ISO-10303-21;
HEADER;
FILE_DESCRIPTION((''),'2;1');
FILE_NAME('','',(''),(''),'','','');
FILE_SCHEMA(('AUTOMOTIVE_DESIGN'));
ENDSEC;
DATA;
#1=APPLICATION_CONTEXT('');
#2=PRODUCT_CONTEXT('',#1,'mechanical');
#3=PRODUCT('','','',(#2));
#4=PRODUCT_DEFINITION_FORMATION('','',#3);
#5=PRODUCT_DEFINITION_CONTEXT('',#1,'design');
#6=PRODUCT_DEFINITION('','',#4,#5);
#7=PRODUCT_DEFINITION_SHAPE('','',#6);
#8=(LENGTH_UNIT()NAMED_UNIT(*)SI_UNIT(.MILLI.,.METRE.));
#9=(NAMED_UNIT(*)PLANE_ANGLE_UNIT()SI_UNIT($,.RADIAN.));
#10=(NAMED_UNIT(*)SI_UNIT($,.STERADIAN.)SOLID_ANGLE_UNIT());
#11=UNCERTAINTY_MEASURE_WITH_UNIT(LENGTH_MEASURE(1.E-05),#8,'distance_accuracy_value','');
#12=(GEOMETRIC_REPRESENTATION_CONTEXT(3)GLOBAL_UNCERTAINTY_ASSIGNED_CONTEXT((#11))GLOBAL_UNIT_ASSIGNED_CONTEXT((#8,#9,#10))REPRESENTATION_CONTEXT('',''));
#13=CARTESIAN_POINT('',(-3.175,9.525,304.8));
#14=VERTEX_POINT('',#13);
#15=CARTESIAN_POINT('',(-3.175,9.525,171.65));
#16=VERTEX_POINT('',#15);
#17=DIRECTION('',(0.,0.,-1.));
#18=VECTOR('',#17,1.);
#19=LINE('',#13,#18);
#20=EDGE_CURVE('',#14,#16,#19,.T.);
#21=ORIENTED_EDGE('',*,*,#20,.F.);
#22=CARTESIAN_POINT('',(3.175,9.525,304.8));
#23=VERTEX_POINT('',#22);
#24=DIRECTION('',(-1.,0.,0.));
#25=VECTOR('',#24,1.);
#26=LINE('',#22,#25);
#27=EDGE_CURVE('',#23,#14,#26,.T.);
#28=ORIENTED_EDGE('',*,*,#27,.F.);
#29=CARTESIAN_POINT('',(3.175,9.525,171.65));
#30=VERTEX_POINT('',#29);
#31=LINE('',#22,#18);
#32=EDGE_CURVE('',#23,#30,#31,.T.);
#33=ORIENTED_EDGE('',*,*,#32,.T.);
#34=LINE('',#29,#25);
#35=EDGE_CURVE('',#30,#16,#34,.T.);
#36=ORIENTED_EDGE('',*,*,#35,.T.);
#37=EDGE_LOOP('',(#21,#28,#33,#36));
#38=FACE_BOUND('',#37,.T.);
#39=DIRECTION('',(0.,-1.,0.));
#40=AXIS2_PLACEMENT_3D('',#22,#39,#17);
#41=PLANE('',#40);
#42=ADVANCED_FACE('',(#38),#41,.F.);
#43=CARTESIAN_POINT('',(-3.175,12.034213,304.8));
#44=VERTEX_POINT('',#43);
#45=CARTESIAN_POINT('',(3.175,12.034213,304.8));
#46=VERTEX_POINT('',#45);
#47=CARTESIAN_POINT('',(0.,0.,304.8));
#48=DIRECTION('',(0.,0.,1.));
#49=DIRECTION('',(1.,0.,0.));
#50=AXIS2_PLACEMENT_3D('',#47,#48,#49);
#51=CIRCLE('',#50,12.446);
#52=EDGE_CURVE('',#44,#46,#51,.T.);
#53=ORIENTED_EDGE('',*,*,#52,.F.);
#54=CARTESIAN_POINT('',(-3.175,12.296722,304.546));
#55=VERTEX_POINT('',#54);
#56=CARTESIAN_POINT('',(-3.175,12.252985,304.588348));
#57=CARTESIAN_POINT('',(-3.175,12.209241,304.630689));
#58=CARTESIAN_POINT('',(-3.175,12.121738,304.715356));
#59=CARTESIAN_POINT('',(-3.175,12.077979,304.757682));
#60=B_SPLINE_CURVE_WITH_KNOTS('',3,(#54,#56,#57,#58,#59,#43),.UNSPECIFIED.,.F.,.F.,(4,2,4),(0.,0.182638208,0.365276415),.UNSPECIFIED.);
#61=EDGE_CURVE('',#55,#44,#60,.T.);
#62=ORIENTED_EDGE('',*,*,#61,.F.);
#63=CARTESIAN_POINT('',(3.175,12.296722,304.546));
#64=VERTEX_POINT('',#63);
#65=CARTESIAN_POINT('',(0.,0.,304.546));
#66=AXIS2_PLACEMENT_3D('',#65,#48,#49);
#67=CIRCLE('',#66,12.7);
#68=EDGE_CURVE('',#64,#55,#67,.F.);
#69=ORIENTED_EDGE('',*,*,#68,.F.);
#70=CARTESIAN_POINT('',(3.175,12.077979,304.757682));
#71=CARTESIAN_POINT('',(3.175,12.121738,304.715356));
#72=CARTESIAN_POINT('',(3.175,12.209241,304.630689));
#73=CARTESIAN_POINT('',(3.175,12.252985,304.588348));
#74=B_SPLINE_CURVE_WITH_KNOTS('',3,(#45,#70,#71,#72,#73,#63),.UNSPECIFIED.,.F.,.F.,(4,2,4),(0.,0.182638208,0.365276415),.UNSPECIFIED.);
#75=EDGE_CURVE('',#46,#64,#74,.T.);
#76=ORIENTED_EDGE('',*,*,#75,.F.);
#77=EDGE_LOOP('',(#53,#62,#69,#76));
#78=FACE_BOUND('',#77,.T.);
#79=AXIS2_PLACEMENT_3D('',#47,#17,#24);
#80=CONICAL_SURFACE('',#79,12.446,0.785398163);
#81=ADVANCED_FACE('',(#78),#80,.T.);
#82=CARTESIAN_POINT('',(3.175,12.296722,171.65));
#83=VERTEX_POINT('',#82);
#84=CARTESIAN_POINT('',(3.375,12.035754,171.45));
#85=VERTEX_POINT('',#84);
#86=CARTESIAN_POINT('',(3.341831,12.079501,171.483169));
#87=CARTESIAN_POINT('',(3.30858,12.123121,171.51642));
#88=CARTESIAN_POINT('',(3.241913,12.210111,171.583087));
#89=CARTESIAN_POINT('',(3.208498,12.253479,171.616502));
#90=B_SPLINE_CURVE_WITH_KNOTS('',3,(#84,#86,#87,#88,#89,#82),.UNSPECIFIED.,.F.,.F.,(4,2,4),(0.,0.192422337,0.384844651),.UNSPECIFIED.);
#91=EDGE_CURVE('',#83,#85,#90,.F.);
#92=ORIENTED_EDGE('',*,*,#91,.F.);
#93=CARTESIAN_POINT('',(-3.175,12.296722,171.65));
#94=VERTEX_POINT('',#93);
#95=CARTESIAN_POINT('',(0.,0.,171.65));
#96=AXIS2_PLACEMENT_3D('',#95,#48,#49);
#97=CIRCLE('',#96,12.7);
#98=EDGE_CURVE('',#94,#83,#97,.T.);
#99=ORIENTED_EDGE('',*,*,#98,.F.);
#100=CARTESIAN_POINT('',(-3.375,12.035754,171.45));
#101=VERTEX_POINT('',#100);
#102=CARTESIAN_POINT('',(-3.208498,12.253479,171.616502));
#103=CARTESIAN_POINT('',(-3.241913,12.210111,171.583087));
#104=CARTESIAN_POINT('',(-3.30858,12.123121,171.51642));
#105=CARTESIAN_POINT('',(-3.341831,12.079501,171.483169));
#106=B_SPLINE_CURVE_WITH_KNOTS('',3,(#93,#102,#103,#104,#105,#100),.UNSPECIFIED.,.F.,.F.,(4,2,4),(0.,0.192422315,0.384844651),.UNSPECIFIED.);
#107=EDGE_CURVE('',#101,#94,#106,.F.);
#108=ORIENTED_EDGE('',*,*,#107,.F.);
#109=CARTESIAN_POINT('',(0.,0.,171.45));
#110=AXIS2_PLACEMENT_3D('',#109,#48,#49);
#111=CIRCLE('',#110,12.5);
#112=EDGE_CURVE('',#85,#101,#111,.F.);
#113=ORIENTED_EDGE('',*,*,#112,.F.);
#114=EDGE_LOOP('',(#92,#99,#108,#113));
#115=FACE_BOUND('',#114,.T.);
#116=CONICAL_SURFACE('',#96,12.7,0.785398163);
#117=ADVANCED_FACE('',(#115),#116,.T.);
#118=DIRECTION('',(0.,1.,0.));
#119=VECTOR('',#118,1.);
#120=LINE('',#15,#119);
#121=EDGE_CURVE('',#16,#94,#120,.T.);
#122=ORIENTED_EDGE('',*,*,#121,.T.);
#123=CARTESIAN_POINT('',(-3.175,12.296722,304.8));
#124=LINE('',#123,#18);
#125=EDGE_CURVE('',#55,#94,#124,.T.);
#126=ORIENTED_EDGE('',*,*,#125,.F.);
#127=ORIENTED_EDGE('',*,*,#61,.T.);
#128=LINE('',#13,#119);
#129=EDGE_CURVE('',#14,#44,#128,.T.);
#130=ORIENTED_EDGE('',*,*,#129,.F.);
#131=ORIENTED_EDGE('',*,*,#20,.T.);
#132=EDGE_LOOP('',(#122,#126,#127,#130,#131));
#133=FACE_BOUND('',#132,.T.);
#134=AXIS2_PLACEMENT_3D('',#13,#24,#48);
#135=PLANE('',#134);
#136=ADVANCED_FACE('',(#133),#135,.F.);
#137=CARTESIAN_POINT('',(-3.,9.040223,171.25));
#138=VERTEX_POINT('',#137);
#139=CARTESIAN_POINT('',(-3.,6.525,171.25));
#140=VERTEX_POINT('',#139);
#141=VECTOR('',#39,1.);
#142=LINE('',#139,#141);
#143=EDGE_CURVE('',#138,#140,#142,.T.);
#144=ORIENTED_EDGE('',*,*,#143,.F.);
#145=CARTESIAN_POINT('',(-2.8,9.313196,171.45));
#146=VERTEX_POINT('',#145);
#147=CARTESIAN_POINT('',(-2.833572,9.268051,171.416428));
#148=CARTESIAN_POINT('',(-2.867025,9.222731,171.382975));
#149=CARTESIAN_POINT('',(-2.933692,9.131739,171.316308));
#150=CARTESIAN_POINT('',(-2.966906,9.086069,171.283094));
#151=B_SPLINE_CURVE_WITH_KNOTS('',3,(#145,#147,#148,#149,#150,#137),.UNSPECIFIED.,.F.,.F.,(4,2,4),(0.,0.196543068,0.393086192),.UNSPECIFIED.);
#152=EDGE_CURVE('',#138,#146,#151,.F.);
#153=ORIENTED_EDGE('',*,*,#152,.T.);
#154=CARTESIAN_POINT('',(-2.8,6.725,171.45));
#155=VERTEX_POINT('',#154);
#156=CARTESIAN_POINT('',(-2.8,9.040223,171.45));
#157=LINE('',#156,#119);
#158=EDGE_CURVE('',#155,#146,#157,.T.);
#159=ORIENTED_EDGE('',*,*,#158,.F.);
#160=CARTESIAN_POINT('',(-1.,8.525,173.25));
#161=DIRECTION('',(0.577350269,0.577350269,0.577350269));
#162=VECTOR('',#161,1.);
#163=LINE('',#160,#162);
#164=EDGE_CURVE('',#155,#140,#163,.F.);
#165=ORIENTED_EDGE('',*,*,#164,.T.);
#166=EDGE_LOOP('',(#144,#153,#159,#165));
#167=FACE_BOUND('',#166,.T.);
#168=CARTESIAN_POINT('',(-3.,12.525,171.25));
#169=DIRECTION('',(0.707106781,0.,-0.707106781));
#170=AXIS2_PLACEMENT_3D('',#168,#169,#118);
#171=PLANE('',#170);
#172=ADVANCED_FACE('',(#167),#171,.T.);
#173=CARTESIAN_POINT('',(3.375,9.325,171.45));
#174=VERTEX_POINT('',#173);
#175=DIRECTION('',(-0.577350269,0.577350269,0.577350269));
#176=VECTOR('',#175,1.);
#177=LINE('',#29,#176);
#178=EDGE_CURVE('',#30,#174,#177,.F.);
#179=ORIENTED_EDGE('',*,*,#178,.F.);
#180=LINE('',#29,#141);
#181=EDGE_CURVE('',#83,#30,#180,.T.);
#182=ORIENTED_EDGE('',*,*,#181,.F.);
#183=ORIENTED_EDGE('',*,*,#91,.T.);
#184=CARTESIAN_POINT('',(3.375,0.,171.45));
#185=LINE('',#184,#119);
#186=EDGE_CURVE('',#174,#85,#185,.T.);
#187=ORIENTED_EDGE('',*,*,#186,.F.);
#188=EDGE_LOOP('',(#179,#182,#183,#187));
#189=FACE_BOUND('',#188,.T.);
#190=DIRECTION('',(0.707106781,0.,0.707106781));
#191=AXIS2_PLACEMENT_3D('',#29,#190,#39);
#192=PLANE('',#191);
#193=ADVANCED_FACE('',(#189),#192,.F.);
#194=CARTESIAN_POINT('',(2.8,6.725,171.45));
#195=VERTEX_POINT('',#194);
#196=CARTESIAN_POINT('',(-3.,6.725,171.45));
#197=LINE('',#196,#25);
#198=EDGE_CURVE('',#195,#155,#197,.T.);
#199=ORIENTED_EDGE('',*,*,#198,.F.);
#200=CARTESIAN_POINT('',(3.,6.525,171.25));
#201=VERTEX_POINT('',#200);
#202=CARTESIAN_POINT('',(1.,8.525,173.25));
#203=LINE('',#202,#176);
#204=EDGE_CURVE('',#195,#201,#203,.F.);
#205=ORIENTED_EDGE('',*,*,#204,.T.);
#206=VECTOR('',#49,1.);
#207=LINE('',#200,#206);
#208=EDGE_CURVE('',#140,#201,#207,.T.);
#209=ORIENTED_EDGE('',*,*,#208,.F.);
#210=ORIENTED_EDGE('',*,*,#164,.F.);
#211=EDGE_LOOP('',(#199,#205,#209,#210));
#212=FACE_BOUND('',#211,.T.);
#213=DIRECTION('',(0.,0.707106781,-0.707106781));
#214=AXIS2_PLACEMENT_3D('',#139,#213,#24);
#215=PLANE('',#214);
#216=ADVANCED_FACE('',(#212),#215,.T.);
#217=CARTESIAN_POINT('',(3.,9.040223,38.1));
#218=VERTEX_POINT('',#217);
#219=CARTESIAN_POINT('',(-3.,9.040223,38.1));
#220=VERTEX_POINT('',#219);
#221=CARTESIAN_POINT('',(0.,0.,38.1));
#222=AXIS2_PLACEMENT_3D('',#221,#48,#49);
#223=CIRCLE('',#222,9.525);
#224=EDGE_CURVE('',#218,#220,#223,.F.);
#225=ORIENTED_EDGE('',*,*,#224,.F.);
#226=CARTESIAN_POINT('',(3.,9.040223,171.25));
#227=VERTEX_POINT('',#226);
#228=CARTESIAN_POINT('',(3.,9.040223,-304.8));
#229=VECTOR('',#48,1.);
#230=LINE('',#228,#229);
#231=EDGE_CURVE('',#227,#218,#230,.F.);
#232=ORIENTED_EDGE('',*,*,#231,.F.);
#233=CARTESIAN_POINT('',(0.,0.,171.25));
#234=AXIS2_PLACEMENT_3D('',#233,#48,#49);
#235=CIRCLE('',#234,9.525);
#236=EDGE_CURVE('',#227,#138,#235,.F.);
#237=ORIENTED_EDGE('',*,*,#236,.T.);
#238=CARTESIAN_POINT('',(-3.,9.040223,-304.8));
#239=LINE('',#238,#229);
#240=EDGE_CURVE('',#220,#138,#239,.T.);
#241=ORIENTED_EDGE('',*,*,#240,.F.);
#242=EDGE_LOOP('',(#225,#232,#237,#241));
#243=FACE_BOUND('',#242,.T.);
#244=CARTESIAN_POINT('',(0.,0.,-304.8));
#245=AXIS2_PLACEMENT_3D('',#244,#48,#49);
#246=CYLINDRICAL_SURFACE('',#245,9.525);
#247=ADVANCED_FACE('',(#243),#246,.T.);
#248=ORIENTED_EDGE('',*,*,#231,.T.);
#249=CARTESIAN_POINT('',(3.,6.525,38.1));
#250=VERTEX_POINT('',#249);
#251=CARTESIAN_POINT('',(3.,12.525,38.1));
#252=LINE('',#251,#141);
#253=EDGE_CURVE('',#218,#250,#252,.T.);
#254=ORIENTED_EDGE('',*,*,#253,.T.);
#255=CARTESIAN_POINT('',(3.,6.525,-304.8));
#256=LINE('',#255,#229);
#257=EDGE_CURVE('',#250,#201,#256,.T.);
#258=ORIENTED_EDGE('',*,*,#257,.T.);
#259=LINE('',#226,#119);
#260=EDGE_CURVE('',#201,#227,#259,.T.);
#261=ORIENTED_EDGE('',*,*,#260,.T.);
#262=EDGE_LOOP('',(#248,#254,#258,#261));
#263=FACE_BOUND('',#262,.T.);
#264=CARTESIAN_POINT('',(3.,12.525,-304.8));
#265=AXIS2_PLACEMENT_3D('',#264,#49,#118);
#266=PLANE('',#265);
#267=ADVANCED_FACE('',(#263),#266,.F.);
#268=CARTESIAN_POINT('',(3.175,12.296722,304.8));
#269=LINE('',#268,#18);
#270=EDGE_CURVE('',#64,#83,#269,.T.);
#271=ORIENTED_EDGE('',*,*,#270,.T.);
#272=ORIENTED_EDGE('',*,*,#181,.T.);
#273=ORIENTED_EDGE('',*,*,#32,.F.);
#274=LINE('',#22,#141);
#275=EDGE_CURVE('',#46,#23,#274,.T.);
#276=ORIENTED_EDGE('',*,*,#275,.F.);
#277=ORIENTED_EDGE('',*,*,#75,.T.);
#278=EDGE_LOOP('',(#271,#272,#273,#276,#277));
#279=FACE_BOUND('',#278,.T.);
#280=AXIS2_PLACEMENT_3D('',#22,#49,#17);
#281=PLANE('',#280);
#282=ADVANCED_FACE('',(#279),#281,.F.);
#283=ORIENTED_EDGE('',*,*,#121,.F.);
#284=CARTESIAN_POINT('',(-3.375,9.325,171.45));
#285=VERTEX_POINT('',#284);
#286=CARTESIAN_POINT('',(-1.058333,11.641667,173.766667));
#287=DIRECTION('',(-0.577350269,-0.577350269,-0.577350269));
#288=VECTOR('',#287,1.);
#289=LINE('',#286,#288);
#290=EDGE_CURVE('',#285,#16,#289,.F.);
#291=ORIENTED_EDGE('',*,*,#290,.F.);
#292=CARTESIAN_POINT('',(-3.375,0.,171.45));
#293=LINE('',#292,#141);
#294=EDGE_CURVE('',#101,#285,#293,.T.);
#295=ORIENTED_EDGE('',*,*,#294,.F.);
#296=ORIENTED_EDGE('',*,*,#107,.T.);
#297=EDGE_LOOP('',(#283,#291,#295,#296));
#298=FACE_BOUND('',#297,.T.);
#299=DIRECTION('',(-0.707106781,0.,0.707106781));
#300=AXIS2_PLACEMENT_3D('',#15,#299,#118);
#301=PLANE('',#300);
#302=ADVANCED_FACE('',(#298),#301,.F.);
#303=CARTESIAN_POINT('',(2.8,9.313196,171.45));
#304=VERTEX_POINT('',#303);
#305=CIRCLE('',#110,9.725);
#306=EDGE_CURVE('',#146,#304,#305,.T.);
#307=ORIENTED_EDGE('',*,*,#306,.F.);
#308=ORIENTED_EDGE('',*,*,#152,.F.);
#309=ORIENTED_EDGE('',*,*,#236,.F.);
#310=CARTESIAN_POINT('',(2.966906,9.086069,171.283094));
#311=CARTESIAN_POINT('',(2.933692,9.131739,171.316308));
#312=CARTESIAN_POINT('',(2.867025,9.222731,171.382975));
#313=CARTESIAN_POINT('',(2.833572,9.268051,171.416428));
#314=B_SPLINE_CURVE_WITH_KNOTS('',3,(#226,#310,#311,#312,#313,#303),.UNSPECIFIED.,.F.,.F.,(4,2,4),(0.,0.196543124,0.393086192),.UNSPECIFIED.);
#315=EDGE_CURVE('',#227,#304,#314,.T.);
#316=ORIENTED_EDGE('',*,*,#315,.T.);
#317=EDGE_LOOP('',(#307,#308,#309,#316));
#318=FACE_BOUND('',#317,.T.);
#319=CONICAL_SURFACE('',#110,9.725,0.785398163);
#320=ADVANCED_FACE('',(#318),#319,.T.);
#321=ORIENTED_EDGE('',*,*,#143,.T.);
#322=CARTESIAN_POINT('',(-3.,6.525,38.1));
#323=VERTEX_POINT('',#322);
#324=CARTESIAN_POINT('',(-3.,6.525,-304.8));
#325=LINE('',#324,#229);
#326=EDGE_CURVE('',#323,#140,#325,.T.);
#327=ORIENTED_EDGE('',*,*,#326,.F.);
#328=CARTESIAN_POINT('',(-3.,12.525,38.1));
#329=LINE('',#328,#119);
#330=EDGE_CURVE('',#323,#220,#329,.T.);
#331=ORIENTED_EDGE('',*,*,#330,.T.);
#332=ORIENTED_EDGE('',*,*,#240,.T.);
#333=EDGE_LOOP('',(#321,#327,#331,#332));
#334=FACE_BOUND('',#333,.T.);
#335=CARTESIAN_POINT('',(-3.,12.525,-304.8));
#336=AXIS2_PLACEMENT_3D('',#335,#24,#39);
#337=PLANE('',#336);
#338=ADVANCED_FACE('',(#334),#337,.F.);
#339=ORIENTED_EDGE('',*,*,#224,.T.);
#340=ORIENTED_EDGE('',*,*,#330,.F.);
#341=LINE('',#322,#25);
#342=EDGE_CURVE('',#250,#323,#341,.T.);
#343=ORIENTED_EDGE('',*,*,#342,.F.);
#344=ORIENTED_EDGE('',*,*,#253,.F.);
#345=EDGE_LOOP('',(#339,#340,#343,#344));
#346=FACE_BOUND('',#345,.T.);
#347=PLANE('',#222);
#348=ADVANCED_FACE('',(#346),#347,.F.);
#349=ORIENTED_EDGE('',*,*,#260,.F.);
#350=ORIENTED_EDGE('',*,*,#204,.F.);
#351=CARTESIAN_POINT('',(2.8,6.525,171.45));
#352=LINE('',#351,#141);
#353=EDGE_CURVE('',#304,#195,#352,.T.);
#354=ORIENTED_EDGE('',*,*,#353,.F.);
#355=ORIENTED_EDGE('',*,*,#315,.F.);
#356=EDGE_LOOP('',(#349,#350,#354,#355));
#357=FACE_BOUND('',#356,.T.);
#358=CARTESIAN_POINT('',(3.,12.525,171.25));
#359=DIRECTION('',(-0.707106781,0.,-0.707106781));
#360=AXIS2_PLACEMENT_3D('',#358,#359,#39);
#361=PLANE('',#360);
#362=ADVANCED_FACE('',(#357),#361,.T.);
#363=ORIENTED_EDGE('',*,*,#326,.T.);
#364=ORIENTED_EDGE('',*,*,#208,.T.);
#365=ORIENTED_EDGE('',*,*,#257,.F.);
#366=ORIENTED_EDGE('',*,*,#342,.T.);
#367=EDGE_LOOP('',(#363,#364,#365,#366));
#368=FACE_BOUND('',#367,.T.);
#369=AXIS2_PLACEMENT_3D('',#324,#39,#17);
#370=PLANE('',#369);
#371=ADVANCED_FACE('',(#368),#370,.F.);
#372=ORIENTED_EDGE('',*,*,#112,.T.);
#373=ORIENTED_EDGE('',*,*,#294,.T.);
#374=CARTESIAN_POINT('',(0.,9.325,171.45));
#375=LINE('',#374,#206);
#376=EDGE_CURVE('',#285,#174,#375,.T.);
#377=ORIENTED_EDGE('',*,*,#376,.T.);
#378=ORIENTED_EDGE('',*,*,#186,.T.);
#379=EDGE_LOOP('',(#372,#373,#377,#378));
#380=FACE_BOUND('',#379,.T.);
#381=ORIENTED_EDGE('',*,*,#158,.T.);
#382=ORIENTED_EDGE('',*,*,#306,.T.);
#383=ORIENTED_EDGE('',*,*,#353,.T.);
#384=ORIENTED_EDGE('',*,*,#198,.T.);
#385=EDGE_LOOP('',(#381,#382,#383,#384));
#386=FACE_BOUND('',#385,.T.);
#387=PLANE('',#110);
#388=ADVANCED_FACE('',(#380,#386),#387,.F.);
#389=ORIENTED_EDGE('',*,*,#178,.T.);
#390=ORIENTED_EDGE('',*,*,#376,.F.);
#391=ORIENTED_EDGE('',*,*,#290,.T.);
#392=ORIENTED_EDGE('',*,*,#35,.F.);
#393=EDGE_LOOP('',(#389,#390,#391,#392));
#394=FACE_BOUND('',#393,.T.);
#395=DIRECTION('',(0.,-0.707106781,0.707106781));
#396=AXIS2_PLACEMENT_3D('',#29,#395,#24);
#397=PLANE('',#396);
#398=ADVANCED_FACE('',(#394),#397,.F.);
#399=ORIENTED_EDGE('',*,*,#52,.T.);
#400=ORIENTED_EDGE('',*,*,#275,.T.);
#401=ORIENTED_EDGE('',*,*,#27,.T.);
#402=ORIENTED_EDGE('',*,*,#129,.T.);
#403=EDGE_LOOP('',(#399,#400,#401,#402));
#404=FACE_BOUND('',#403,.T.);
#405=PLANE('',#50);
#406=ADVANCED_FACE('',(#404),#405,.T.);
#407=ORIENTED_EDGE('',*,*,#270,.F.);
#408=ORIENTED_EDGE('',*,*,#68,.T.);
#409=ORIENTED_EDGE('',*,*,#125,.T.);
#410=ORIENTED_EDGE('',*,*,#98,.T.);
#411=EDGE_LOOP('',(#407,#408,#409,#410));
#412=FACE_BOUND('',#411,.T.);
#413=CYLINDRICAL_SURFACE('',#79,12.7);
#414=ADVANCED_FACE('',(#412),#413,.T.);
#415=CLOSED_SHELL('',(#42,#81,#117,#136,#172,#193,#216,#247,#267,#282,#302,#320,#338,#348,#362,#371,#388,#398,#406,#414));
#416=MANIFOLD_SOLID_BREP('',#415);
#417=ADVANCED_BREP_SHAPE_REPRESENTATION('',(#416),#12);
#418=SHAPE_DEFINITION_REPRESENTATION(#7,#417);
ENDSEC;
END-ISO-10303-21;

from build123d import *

# Parameters (mm, degrees)
BOSS_EXTRUDE1_DEPTH      = 304.8
BOSS_EXTRUDE1_DEPTH_BACK = 304.8
CHAMFER1_SIZE            = 0.254
SKETCH5_R                = 12.7
SKETCH5_R_2              = 9.525
CUT_EXTRUDE1_DEPTH       = 477.588546337
SKETCH6_W                = 6
SKETCH6_H                = 6
CUT_EXTRUDE2_DEPTH       = 477.588546337
CHAMFER2_SIZE            = 0.2
SKETCH7_R                = 63.5
CUT_EXTRUDE3_DEPTH       = 344.370048199


with BuildPart() as part:
    # Sketch3 → Boss-Extrude1 (new, two sides: drawn at the far end of the back side and taken through both)
    with BuildSketch(Plane.XY.offset(-BOSS_EXTRUDE1_DEPTH_BACK)):
        with BuildLine():
            Line((-3.175, 9.525), (-3.175, 12.296722124))
            ThreePointArc((-3.175, 12.296722124), (0, -12.7), (3.175, 12.296722124))
            Line((3.175, 12.296722124), (3.175, 9.525))
            Line((3.175, 9.525), (-3.175, 9.525))
        make_face()
    extrude(amount=BOSS_EXTRUDE1_DEPTH + BOSS_EXTRUDE1_DEPTH_BACK)

    # Chamfer1
    chamfer1_edges = [part.edges().sort_by_distance(p)[0] for p in [
        (0, -12.7, -304.8),
        (0, -12.7, 304.8),
    ]]
    chamfer(chamfer1_edges, length=CHAMFER1_SIZE)

    # Sketch5 → Cut-Extrude1 (cut, through all)
    with BuildSketch(Plane.XY.offset(171.45)):
        Circle(SKETCH5_R)
        Circle(SKETCH5_R_2, mode=Mode.SUBTRACT)
    extrude(amount=-CUT_EXTRUDE1_DEPTH, mode=Mode.SUBTRACT)

    # Sketch6 → Cut-Extrude2 (cut, through all)
    with BuildSketch(Plane.XY.offset(171.45)):
        with Locations((0, 9.525)):
            Rectangle(SKETCH6_W, SKETCH6_H)
    extrude(amount=-CUT_EXTRUDE2_DEPTH, mode=Mode.SUBTRACT)

    # Chamfer2
    chamfer2_edges = [part.edges().sort_by_distance(p)[0] for p in [
        (-3.175, 10.910861062, 171.45),
        (0, -12.7, 171.45),
        (3.175, 10.910861062, 171.45),
        (0, 9.525, 171.45),
        (0, -9.525, 171.45),
        (-3, 7.782611309, 171.45),
        (0, 6.525, 171.45),
        (3, 7.782611309, 171.45),
    ]]
    chamfer(chamfer2_edges, length=CHAMFER2_SIZE)

    # Sketch7 → Cut-Extrude3 (cut, through all)
    with BuildSketch(Plane.XY.offset(38.1)):
        Circle(SKETCH7_R)
    extrude(amount=-CUT_EXTRUDE3_DEPTH, mode=Mode.SUBTRACT)


solid = part.part
